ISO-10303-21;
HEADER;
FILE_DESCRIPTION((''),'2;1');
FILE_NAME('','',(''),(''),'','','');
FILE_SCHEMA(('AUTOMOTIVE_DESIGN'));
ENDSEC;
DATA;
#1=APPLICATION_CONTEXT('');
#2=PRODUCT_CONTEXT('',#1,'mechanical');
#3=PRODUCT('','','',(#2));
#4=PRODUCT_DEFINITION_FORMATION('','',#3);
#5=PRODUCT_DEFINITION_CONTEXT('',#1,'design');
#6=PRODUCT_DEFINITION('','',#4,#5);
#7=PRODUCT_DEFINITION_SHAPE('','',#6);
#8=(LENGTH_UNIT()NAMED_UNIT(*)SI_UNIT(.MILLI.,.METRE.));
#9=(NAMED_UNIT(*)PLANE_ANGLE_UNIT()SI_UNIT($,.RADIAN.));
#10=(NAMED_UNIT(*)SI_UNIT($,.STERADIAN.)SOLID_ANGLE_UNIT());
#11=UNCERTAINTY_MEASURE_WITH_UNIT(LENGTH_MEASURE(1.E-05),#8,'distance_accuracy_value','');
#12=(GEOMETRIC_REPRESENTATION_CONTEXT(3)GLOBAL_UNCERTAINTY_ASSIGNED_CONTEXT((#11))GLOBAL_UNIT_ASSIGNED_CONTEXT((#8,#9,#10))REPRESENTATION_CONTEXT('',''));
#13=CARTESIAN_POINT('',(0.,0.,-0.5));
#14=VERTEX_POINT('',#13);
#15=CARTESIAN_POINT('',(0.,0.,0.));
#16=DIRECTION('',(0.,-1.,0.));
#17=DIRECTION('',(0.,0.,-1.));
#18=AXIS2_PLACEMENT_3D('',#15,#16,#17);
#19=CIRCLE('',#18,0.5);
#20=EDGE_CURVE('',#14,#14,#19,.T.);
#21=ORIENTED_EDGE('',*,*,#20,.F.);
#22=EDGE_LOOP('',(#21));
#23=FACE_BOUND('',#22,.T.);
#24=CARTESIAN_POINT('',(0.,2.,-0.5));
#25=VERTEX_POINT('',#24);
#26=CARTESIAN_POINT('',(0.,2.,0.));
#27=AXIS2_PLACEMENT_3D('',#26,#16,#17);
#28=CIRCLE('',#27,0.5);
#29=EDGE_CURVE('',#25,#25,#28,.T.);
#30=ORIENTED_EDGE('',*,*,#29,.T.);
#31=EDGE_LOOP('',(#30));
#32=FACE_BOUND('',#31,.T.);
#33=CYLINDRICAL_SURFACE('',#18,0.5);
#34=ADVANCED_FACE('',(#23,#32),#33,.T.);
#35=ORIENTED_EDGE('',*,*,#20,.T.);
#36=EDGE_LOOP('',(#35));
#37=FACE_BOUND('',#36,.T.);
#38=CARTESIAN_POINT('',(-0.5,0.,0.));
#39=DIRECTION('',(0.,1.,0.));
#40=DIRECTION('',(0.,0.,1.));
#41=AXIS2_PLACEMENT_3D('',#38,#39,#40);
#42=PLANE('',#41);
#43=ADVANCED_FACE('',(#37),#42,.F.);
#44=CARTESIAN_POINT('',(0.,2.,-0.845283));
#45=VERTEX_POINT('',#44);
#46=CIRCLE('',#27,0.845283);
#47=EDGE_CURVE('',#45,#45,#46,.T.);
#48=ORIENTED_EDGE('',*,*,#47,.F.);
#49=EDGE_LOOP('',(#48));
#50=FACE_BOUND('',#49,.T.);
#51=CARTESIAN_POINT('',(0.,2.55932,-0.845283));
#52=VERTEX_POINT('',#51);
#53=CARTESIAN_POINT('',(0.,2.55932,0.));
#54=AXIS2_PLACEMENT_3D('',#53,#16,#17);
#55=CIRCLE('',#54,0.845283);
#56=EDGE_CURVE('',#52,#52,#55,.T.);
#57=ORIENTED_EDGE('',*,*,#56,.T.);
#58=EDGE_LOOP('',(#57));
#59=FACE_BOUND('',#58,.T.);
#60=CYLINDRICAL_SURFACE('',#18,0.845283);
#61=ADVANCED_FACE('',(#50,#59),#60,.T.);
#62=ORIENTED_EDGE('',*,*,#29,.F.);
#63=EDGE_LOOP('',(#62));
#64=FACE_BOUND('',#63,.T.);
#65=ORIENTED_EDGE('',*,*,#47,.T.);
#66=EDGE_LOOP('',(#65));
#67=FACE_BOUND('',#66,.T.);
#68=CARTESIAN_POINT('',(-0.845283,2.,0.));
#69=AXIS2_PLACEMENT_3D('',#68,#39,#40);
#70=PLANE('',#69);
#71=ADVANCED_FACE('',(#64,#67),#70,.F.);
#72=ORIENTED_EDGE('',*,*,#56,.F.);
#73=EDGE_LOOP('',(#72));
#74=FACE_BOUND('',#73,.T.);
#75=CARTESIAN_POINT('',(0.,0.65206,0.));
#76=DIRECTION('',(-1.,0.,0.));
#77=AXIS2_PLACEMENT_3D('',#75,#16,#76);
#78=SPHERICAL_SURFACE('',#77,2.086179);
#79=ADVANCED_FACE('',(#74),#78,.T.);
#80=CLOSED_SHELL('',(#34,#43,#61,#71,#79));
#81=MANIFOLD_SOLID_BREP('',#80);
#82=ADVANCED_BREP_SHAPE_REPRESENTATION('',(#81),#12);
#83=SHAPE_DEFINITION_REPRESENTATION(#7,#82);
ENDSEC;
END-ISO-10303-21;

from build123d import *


with BuildPart() as part:
    # 草圖1 → 旋轉1 (revolve)
    with BuildSketch(Plane.XY, mode=Mode.PRIVATE) as revolve_1_sk:
        with BuildLine():
            Line((0, 0), (0, 2.738239362))
            ThreePointArc((0, 2.738239362), (-0.432005419, 2.693019492), (-0.845282603, 2.559320249))
            Line((-0.845282603, 2.559320249), (-0.845282603, 2))
            Line((-0.845282603, 2), (-0.5, 2))
            Line((-0.5, 2), (-0.5, 0))
            Line((-0.5, 0), (0, 0))
        make_face()
    revolve(revolve_1_sk.sketch.rotate(Axis((0, 0, 0), (0, 1, 0)), 270), axis=Axis((0, 0, 0), (0, 1, 0)))


solid = part.part
